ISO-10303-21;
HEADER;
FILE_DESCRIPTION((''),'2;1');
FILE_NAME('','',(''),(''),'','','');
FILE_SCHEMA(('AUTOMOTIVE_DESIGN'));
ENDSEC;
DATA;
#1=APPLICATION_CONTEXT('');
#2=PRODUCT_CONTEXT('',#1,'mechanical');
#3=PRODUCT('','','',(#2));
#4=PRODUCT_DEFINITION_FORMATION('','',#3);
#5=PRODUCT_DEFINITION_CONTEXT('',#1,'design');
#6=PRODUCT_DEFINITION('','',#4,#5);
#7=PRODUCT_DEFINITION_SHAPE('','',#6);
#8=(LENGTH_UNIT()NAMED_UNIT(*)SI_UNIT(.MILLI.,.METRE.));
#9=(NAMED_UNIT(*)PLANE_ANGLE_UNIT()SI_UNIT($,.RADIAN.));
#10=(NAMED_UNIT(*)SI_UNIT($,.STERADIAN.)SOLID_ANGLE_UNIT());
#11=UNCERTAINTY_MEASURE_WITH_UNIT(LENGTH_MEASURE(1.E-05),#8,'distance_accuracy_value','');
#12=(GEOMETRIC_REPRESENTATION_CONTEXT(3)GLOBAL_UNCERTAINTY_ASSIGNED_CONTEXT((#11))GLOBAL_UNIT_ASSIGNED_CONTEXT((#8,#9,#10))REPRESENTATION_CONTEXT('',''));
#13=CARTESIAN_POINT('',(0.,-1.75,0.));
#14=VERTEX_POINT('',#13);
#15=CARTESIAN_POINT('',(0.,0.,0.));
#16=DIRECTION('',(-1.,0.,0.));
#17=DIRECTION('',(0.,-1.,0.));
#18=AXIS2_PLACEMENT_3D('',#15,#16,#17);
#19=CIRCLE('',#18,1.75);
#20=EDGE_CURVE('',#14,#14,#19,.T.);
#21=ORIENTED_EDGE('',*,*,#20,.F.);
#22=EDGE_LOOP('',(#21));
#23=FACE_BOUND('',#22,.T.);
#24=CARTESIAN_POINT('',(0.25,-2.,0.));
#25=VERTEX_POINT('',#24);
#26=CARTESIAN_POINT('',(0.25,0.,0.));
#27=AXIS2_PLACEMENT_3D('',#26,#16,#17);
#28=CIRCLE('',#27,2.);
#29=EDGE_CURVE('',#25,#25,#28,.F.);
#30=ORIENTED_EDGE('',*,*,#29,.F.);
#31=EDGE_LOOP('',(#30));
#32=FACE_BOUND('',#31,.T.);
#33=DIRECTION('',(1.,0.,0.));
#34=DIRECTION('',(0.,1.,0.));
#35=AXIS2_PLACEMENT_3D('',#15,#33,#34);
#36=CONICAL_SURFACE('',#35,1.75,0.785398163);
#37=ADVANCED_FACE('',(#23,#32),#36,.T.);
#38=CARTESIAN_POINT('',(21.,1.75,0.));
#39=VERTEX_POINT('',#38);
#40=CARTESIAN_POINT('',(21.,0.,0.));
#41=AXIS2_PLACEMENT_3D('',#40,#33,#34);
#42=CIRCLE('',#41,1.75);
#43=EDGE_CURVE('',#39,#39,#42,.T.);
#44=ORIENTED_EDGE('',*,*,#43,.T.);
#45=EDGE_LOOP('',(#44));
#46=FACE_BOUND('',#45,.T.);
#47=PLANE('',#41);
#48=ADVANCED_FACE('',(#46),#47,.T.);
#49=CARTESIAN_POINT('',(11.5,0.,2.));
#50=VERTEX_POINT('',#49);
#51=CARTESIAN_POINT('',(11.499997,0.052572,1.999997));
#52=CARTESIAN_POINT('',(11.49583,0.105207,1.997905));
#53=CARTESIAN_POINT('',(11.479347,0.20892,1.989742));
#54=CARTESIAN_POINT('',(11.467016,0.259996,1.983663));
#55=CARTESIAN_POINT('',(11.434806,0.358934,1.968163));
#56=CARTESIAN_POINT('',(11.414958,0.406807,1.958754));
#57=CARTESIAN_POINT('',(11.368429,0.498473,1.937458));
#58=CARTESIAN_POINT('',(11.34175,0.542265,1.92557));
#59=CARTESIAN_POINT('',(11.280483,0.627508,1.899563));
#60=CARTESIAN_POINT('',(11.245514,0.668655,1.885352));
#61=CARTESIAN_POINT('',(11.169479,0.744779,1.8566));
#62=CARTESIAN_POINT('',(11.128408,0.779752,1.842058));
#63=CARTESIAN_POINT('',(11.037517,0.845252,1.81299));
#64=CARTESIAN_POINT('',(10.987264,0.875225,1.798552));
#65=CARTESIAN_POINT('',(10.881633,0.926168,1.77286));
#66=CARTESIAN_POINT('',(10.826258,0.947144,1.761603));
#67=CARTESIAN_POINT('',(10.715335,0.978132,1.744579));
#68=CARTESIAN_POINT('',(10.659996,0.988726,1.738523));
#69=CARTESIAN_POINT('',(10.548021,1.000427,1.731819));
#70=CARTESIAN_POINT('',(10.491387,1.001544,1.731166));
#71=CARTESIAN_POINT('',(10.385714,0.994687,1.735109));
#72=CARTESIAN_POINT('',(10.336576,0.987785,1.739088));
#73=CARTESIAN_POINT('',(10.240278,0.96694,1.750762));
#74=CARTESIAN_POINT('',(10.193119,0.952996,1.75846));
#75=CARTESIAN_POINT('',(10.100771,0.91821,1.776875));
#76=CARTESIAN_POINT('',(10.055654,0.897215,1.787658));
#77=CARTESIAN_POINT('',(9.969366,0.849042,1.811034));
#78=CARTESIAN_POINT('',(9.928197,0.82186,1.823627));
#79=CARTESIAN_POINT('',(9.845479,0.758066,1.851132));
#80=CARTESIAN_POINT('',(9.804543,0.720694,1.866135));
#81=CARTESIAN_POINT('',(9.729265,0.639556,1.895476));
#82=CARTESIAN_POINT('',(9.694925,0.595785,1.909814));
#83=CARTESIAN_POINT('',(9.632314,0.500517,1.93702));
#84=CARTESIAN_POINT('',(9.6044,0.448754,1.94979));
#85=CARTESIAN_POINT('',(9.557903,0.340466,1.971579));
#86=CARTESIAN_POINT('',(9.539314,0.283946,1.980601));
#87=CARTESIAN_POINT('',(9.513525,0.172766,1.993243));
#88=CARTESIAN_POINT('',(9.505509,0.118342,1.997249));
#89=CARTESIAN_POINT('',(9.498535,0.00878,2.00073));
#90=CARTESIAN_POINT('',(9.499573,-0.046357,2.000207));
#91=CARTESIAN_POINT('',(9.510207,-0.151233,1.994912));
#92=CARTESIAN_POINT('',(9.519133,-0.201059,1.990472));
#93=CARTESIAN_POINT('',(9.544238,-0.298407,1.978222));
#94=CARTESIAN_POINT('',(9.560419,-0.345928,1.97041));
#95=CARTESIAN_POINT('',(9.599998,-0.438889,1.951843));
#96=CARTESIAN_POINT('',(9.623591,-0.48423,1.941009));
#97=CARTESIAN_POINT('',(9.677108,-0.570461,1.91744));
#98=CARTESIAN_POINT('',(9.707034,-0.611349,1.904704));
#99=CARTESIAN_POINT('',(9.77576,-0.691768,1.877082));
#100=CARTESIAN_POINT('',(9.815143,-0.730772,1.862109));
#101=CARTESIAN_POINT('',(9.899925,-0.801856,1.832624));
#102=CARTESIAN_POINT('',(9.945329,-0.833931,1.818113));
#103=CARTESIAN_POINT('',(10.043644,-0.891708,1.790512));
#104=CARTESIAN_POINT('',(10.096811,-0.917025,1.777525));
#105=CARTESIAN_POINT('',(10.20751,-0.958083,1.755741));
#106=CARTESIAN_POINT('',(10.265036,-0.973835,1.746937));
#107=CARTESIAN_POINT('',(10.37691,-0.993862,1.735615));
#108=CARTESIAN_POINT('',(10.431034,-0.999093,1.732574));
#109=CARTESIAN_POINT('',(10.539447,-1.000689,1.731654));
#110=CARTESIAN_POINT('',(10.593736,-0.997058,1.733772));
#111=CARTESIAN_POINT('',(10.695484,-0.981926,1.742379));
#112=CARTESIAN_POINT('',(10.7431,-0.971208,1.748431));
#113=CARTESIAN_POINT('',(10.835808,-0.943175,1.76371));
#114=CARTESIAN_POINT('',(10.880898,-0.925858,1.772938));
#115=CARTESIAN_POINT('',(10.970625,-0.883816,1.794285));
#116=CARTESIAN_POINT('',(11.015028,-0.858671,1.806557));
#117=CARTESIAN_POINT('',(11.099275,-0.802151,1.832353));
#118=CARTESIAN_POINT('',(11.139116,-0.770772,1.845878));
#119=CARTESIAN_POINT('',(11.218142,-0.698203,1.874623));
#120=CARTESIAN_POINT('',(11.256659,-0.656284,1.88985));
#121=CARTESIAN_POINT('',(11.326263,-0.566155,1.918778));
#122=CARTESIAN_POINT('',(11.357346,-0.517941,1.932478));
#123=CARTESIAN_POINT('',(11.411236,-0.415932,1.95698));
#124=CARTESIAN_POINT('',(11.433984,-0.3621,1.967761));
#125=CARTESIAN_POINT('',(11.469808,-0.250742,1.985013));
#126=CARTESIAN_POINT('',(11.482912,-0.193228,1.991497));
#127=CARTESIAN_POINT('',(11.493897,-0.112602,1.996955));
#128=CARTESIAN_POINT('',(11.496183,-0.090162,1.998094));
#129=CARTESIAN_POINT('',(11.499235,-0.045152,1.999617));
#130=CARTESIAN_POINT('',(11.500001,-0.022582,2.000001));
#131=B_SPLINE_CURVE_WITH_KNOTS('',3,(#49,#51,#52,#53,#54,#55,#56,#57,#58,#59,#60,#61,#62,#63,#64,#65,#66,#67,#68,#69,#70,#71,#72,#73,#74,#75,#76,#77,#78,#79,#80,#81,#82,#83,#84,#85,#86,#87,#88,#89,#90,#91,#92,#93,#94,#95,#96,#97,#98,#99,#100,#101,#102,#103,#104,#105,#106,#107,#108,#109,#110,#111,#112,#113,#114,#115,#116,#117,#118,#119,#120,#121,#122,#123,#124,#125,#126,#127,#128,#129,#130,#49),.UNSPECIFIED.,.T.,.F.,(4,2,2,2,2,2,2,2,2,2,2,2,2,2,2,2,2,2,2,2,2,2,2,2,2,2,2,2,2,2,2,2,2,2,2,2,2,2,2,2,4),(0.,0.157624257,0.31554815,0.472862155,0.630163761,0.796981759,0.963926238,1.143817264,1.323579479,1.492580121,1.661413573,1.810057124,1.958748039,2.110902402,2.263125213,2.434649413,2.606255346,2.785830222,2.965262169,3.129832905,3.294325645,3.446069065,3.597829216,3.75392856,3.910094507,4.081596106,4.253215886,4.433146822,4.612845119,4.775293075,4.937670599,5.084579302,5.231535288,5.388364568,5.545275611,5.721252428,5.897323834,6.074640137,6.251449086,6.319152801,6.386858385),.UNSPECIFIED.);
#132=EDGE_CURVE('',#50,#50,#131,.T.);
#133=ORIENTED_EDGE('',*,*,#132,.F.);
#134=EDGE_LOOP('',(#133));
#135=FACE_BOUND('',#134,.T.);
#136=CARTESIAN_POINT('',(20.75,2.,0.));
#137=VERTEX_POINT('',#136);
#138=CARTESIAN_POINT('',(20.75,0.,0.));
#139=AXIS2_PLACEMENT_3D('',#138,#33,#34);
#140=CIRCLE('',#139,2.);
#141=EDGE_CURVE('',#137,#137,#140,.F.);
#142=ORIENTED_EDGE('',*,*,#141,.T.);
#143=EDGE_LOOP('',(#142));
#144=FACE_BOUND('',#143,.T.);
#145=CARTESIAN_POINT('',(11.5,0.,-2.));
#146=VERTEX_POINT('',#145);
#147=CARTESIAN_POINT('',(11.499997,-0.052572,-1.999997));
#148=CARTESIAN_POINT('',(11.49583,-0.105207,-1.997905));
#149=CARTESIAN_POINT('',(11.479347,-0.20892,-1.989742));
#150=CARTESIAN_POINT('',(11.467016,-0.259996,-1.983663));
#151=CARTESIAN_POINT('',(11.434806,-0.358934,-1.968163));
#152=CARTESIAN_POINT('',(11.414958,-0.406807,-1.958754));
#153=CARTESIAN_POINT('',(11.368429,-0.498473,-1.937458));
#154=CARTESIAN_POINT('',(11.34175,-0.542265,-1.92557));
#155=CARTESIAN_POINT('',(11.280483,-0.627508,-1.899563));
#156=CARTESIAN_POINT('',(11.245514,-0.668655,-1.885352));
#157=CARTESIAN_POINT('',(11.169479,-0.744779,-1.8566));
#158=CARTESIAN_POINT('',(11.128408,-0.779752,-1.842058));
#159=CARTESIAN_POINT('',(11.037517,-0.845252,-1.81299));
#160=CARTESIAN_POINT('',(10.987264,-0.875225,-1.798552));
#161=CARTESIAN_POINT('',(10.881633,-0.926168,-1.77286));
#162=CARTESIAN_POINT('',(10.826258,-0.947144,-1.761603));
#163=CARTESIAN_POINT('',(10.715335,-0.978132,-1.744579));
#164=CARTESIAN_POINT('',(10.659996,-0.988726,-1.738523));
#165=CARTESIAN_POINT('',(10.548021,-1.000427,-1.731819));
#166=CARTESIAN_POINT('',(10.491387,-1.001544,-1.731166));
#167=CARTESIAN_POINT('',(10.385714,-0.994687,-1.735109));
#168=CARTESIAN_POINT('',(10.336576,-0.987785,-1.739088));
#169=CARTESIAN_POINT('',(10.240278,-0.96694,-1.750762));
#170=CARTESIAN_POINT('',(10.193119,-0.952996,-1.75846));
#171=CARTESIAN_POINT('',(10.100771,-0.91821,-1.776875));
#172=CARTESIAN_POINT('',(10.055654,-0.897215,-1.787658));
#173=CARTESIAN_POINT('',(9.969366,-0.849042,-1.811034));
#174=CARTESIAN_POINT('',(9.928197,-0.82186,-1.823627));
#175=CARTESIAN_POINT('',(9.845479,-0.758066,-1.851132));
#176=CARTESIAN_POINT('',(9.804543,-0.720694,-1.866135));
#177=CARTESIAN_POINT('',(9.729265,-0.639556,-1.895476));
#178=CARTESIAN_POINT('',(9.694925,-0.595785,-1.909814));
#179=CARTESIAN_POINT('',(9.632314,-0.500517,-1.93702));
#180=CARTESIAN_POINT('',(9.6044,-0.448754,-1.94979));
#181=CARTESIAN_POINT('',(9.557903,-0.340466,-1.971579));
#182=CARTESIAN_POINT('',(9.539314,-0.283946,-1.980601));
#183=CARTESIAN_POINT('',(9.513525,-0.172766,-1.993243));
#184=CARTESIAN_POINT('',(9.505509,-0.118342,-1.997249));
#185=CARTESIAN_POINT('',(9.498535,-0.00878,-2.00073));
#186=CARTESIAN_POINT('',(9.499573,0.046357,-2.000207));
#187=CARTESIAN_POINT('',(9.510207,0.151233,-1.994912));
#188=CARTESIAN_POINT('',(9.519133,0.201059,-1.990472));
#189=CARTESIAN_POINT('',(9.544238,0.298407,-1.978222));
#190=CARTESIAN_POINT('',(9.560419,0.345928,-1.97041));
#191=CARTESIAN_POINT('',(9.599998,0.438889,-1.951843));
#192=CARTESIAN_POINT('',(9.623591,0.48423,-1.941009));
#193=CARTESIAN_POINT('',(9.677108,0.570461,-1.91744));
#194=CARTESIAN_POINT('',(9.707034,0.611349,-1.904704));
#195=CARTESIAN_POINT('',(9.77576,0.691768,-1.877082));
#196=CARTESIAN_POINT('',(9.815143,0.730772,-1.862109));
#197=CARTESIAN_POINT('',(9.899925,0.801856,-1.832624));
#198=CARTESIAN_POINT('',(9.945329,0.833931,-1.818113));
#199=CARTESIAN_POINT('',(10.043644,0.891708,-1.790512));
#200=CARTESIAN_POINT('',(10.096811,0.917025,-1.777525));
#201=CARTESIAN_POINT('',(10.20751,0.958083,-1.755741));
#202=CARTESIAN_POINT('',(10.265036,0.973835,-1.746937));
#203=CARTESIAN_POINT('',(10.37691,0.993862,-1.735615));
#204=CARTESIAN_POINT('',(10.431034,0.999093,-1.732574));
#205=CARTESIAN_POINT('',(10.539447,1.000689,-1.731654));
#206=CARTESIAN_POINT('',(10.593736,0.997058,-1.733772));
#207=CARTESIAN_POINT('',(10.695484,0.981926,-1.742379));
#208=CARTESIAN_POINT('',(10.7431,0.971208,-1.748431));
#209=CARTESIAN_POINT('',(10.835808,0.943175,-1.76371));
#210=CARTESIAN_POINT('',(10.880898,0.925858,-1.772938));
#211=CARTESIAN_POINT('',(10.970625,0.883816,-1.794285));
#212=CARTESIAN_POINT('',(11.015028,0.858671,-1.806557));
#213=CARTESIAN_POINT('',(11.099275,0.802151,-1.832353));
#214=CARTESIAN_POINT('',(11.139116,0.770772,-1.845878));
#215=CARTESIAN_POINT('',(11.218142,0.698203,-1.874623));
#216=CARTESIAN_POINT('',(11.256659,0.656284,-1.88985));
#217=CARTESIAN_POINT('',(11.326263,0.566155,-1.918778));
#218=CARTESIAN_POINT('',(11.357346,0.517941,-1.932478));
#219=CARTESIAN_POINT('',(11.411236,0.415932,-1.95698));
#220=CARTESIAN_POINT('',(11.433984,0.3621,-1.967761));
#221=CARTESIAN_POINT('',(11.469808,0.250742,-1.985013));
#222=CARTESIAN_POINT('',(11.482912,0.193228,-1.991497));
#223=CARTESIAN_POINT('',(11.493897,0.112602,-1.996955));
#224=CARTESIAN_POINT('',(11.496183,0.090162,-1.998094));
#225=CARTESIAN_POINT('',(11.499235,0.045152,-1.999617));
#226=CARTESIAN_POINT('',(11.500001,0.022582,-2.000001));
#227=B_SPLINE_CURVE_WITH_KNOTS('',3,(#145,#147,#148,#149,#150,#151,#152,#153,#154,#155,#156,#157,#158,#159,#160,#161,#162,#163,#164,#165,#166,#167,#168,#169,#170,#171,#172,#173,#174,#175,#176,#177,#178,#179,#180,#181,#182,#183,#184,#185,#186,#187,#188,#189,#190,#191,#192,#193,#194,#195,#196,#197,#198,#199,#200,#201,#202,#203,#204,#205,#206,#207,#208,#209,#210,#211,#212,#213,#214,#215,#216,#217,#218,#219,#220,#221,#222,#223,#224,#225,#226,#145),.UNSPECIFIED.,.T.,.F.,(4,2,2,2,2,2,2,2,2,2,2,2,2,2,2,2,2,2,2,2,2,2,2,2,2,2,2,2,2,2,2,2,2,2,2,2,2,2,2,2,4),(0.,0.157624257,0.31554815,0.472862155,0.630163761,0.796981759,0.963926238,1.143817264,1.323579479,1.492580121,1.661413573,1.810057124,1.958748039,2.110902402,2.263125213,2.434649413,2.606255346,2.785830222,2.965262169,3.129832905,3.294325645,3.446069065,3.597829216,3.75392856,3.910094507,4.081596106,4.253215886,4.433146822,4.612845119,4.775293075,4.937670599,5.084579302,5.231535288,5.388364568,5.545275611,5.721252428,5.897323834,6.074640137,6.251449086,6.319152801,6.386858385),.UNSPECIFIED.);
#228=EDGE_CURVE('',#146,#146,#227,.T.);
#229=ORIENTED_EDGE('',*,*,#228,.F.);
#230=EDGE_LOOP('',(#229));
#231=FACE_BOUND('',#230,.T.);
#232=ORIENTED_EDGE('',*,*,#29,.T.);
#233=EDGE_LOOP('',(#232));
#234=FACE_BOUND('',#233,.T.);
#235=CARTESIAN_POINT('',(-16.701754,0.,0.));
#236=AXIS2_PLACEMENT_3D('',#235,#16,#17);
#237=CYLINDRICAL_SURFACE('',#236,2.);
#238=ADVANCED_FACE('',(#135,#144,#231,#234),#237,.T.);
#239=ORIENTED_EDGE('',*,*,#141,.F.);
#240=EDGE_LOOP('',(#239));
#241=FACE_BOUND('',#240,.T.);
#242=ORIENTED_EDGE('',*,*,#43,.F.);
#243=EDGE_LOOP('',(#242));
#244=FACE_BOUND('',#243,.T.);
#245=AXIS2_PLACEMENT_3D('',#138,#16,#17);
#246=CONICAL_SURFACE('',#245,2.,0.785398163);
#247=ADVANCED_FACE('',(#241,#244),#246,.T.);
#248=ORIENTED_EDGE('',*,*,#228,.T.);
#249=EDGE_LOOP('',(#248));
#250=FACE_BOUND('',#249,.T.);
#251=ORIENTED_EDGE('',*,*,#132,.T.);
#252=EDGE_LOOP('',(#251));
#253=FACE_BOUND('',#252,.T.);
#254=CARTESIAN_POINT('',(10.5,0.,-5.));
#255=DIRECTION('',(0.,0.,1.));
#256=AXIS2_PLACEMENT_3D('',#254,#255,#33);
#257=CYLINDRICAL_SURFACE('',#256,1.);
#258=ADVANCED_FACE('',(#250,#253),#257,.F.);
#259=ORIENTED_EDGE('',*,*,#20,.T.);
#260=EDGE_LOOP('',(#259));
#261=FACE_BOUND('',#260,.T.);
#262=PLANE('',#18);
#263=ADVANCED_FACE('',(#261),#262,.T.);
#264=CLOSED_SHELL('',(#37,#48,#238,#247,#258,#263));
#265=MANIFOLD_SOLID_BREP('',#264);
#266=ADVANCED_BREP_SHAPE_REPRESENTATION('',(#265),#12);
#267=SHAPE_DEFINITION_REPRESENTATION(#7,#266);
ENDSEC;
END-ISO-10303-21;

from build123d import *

# Parameters (mm, degrees)
CUT_EXTRUDE_START   = -3.5
CUT_EXTRUDE_1_DEPTH = 10
SKETCH_3_W          = 4
SKETCH_3_H          = 19.670556204
CUT_EXTRUDE_2_DEPTH = 10
CUT_EXTRUDE_START_2 = -29
SKETCH_4_R          = 4
SKETCH_4_R_2        = 2
CUT_EXTRUDE_3_DEPTH = 29
SKETCH_5_R          = 1
CUT_EXTRUDE_4_DEPTH = 5
CHAMFER_1_SIZE      = 0.25


with BuildPart() as part:
    # 草图1 → 旋转2 (revolve)
    with BuildSketch(Plane.XY, mode=Mode.PRIVATE) as revolve_2_sk:
        Polygon((0, 2), (0, 0), (17, 0), (21, 0), (21, 2), (17, 2), (17, 4), (4, 4), (4, 2), align=None)
    revolve(revolve_2_sk.sketch.rotate(Axis((-16.701754386, 0, 0), (1, 0, 0)), 180), axis=Axis((-16.701754386, 0, 0), (1, 0, 0)))

    # 草图2 → 切除-拉伸1 (cut)
    with BuildSketch(Plane.XY.offset(CUT_EXTRUDE_START)):
        Polygon((12.5, -5.827233832), (12.5, 4), (10.5, 4), (8.5, 4), (8.5, -5.827233832), align=None)
    extrude(amount=-CUT_EXTRUDE_1_DEPTH, mode=Mode.SUBTRACT)

    # 草图3 → 切除-拉伸2 (cut)
    with BuildSketch(Plane(origin=(0, 0, 0), x_dir=(1, 0, 0), z_dir=(0, 1, 0)).offset(CUT_EXTRUDE_START)):
        with Locations((10.5, 3.5)):
            Rectangle(SKETCH_3_W, SKETCH_3_H)
    extrude(amount=-CUT_EXTRUDE_2_DEPTH, mode=Mode.SUBTRACT)

    # 草图4 → 切除-拉伸3 (cut)
    with BuildSketch(Plane(origin=(21, 0, 0), x_dir=(0, 0, -1), z_dir=(1, 0, 0)).offset(CUT_EXTRUDE_START_2)):
        Circle(SKETCH_4_R)
        with Locations(Location((0, 0, 0), (0, 0, 270))):
            Circle(SKETCH_4_R_2, mode=Mode.SUBTRACT)
    extrude(amount=CUT_EXTRUDE_3_DEPTH, mode=Mode.SUBTRACT)

    # 草图5 → 切除-拉伸4 (cut, symmetric)
    with BuildSketch(Plane.XY):
        with Locations((10.5, 0)):
            Circle(SKETCH_5_R)
    extrude(amount=CUT_EXTRUDE_4_DEPTH, both=True, mode=Mode.SUBTRACT)

    # 倒角1
    chamfer_1_edges = [part.edges().sort_by_distance(p)[0] for p in [
        (0, 2, 0),
        (21, 2, 0),
    ]]
    chamfer(chamfer_1_edges, length=CHAMFER_1_SIZE)


solid = part.part
